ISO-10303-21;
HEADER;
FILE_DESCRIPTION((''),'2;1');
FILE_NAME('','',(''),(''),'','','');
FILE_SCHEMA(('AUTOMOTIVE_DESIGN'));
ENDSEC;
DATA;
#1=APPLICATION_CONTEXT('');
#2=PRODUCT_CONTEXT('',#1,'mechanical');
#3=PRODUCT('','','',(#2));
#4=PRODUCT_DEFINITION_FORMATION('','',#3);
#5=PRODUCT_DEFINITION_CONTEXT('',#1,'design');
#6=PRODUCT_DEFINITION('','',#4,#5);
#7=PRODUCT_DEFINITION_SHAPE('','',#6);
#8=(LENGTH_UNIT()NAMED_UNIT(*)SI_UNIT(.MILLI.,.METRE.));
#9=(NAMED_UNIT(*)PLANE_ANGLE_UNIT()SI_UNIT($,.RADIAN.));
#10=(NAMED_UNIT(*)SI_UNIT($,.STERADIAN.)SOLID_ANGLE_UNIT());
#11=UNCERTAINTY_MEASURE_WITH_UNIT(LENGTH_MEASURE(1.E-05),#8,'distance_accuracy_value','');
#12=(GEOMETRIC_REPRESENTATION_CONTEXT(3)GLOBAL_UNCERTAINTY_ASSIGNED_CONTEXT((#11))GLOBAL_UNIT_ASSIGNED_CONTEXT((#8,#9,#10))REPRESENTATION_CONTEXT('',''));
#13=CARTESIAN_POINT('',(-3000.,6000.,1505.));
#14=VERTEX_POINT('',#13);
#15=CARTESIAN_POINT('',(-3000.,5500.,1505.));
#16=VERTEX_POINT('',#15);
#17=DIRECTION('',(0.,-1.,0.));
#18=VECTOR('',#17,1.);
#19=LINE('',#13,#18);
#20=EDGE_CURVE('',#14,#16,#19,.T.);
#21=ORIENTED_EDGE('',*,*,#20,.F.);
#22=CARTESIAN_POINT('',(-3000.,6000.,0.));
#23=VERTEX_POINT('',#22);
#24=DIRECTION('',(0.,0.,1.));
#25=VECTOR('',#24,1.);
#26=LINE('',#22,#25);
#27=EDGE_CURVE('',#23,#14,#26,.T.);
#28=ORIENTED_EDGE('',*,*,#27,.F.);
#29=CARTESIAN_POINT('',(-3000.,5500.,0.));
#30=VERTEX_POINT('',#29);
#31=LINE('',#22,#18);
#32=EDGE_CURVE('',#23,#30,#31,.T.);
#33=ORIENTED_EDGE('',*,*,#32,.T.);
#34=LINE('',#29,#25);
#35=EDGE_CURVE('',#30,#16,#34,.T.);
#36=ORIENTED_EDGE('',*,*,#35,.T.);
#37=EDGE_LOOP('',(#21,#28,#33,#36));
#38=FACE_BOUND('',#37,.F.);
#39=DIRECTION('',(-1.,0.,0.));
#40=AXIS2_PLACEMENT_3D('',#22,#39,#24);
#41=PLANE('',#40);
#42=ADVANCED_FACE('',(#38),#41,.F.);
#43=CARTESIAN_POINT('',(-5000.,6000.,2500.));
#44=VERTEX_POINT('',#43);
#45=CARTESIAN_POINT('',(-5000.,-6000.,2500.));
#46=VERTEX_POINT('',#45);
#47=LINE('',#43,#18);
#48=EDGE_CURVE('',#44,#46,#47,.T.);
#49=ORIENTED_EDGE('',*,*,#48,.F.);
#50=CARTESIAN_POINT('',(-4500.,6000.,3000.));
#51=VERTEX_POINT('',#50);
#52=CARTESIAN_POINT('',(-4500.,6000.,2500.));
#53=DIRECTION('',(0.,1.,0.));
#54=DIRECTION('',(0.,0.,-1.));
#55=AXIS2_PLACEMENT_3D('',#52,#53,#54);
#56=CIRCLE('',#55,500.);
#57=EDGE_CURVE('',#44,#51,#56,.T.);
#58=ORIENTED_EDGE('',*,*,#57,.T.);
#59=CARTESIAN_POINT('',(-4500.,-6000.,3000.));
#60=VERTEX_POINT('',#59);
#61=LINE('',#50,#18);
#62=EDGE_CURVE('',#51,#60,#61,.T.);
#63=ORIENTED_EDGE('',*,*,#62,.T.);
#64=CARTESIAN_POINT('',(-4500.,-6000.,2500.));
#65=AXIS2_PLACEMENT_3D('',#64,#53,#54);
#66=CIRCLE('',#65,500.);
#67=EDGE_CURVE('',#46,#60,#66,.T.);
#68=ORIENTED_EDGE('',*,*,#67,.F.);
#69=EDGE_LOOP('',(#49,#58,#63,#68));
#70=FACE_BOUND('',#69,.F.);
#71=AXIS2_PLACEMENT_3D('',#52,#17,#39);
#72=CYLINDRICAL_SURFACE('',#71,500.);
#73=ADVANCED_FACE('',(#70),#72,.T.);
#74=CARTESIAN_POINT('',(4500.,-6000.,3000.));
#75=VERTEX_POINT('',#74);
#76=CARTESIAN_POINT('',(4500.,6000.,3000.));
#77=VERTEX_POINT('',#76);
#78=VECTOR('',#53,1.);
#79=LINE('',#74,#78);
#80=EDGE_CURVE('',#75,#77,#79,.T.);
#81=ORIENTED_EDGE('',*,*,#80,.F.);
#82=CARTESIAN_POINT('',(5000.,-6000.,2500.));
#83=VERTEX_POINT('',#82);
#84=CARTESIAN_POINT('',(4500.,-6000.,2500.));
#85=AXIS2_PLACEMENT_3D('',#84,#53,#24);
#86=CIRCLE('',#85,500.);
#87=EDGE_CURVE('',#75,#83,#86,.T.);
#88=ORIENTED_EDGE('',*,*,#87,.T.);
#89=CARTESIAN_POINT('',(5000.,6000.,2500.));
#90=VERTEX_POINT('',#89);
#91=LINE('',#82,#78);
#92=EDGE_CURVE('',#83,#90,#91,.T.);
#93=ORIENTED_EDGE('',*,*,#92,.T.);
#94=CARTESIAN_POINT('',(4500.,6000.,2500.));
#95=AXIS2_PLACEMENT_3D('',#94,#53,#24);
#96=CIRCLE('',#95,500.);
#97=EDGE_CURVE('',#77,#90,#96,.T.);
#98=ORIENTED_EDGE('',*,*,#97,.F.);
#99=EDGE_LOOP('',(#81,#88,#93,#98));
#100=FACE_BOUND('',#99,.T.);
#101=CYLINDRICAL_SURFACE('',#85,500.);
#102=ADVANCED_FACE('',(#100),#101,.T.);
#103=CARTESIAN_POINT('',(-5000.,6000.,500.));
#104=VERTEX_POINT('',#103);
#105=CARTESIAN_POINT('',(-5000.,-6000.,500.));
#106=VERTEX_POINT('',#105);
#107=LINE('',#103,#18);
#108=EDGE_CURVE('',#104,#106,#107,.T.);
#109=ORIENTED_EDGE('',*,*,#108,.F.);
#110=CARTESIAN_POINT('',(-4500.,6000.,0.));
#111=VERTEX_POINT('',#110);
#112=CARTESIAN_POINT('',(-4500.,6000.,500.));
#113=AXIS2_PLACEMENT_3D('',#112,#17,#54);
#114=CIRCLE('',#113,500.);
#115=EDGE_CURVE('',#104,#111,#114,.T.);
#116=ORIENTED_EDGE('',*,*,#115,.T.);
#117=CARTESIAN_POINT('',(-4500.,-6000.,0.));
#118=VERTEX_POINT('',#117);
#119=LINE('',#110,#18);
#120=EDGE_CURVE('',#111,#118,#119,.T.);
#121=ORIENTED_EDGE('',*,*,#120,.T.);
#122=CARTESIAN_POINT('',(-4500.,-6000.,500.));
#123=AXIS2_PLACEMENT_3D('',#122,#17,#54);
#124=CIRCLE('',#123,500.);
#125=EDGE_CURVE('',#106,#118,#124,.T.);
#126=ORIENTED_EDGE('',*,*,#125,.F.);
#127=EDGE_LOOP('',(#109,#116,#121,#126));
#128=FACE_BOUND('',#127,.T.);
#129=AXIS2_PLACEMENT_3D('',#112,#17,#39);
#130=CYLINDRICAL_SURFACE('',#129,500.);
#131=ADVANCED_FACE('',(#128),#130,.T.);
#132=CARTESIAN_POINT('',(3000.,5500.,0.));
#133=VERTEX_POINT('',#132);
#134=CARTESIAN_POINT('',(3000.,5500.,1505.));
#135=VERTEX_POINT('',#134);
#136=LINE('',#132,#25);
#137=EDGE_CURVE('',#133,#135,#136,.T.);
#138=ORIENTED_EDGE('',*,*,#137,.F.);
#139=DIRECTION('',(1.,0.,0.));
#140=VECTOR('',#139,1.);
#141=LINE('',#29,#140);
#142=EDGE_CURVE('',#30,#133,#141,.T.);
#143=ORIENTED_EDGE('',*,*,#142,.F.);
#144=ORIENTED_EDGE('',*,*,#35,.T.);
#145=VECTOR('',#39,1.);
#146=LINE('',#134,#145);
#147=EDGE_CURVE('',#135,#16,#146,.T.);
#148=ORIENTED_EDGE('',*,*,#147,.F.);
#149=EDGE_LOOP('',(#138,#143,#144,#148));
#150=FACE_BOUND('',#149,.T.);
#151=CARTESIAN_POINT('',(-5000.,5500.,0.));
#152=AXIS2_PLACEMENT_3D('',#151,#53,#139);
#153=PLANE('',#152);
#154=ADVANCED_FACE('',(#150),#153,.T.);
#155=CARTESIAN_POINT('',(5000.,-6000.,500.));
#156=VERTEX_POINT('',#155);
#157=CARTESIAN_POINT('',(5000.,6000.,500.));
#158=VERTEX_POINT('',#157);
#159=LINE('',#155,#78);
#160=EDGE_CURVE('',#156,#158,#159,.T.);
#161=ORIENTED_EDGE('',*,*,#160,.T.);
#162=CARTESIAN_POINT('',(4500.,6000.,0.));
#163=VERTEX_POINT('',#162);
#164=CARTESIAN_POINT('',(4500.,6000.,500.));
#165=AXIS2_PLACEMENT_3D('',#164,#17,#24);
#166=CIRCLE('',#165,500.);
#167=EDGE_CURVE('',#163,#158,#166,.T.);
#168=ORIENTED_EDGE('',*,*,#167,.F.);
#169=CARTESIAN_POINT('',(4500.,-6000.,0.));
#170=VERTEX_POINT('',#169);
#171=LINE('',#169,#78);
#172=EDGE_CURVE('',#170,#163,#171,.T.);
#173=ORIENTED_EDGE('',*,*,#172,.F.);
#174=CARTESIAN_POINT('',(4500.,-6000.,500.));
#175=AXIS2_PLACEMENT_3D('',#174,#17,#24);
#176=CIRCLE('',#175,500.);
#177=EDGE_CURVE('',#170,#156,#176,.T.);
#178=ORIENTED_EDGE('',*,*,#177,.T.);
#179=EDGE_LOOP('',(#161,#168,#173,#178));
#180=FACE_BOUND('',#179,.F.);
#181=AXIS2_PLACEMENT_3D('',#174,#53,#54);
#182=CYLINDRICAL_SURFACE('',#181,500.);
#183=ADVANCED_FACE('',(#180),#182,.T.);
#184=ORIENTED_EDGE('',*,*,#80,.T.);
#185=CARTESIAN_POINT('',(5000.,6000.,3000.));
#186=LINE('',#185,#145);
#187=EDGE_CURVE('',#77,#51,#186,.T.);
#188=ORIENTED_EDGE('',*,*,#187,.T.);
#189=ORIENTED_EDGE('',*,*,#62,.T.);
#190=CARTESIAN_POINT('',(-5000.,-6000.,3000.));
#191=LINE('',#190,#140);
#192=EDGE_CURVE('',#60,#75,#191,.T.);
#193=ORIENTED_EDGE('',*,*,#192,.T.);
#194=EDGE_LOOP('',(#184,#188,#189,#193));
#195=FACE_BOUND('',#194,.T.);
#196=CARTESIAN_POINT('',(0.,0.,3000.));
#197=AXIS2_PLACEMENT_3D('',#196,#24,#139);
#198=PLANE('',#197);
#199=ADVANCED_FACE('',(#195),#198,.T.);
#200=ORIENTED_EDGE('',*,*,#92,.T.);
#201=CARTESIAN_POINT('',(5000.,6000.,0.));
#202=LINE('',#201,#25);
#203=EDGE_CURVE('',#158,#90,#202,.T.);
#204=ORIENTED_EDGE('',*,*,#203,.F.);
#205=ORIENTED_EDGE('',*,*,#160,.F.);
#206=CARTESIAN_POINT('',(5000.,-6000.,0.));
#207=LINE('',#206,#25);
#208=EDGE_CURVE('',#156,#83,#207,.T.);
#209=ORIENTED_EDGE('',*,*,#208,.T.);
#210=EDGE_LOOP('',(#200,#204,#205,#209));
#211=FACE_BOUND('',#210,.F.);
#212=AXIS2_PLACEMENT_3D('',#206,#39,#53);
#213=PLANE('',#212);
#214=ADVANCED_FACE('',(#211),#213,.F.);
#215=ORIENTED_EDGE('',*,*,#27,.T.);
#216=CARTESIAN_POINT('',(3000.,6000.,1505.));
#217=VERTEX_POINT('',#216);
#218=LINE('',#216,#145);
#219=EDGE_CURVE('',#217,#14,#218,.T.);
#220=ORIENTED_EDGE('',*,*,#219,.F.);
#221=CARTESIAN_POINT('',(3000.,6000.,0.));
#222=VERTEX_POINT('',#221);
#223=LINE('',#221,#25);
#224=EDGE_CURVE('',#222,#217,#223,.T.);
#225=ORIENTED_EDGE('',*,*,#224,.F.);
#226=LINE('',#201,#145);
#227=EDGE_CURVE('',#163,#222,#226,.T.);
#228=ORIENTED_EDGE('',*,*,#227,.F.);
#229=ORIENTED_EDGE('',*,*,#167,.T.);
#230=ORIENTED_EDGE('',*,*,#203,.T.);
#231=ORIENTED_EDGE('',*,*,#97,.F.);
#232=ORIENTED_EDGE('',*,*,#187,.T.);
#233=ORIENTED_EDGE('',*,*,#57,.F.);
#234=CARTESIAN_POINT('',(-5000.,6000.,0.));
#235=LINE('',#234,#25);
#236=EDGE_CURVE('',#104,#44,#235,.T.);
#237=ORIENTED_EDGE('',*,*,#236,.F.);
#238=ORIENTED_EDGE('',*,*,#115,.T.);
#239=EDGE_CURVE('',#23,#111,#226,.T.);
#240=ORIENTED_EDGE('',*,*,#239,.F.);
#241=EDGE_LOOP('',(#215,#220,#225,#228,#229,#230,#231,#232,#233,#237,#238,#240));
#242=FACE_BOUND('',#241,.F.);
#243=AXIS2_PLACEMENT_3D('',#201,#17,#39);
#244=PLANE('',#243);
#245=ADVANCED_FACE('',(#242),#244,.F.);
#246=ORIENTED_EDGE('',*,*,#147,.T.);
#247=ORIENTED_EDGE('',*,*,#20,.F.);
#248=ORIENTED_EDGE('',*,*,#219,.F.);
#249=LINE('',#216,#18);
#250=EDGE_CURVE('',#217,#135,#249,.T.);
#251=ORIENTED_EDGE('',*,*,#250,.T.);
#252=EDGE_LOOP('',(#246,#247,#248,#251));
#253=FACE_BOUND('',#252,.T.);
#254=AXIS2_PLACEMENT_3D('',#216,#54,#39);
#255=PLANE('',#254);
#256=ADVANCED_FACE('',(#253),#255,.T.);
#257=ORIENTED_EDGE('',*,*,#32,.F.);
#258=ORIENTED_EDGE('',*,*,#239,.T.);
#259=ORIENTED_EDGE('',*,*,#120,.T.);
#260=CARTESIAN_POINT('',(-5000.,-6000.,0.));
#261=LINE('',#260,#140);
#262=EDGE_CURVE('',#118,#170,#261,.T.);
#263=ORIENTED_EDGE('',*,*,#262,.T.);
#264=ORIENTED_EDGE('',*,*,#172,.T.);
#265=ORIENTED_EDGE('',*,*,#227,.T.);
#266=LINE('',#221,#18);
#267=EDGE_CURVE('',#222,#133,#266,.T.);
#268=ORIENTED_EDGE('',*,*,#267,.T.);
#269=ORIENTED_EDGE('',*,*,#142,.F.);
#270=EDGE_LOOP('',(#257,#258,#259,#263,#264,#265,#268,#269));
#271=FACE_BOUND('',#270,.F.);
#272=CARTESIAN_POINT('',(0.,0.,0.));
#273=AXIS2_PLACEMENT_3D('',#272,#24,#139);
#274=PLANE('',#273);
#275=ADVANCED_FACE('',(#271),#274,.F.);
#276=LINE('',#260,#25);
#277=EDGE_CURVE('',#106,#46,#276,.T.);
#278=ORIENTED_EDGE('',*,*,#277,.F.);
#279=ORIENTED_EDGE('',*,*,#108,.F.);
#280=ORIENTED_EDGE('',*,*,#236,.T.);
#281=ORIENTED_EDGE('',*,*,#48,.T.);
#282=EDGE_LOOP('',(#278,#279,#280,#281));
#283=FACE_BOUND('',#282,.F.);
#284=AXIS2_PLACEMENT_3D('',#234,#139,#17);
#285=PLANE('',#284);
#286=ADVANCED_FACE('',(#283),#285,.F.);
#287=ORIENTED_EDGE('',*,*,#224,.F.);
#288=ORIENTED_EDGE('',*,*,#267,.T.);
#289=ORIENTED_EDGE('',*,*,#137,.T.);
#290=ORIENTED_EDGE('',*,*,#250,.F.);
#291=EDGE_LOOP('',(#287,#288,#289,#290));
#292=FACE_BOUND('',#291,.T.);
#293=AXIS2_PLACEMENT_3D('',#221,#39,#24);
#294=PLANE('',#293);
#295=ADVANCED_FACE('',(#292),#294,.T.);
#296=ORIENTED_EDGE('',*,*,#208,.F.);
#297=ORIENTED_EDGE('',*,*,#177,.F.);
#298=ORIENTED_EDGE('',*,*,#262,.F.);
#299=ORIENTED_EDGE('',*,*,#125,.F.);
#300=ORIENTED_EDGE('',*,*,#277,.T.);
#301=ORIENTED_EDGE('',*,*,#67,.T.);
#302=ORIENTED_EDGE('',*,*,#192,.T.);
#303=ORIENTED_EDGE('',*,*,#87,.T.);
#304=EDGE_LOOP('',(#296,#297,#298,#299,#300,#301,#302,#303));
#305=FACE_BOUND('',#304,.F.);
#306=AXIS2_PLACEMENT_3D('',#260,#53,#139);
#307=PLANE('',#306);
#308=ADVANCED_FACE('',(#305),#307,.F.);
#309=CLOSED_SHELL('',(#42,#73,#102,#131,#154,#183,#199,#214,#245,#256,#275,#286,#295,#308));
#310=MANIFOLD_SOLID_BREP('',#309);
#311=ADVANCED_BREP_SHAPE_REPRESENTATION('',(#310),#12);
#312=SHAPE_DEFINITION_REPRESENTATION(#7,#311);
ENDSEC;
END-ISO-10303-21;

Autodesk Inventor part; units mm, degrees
ref_plane "YZ Plane" through (0, 0, 0) normal (1, 0, 0) x (0, 1, 0)
ref_plane "XZ Plane" through (0, 0, 0) normal (0, 1, 0) x (-1, 0, 0)
ref_plane "XY Plane" through (0, 0, 0) normal (0, 0, 1) x (1, 0, 0)
sketch "Skizze1" plane through (0, 0, 0) normal (0, 0, 1) x (1, 0, 0)
  line L0 (-7000, 0) -> (7000, 0) construction
  line L1 (0, -8400) -> (0, 8400) construction
  line L2 (-5000, -6000) -> (5000, -6000)
  line L3 (5000, -6000) -> (5000, 6000)
  line L4 (5000, 6000) -> (-5000, 6000)
  line L5 (-5000, 6000) -> (-5000, -6000)
  line L6 (-5000, -6000) -> (5000, 6000) construction
  line L7 (5000, -6000) -> (-5000, 6000) construction
  point P0 (0, 0)
  dimension "d0" = 10000
  dimension "d1" = 12000
extrude "Extrusion1" add sketch "Skizze1" along normal blind 3000
sketch "Skizze2" plane through (-5000, 6000, 0) normal (0, 1, 0) x (1, 0, 0)
  line L0 (5000, 0) -> (2000, 0)
  line L1 (2000, 0) -> (2000, -1505)
  line L2 (2000, -1505) -> (5000, -1505)
  line L3 (5000, 0) -> (8000, 0)
  line L4 (8000, 0) -> (8000, -1505)
  line L5 (8000, -1505) -> (5000, -1505)
  dimension "d4" = 3000
  dimension "d5" = 1505
  dimension "d6" = 3000
extrude "Extrusion2" cut sketch "Skizze2" against normal blind 500
fillet "Rundung1" radius 500 4 edges at (5000, 0, 0) (5000, 0, 3000) (-5000, 0, 0) (-5000, 0, 3000)
properties part number "2 Stütze"
